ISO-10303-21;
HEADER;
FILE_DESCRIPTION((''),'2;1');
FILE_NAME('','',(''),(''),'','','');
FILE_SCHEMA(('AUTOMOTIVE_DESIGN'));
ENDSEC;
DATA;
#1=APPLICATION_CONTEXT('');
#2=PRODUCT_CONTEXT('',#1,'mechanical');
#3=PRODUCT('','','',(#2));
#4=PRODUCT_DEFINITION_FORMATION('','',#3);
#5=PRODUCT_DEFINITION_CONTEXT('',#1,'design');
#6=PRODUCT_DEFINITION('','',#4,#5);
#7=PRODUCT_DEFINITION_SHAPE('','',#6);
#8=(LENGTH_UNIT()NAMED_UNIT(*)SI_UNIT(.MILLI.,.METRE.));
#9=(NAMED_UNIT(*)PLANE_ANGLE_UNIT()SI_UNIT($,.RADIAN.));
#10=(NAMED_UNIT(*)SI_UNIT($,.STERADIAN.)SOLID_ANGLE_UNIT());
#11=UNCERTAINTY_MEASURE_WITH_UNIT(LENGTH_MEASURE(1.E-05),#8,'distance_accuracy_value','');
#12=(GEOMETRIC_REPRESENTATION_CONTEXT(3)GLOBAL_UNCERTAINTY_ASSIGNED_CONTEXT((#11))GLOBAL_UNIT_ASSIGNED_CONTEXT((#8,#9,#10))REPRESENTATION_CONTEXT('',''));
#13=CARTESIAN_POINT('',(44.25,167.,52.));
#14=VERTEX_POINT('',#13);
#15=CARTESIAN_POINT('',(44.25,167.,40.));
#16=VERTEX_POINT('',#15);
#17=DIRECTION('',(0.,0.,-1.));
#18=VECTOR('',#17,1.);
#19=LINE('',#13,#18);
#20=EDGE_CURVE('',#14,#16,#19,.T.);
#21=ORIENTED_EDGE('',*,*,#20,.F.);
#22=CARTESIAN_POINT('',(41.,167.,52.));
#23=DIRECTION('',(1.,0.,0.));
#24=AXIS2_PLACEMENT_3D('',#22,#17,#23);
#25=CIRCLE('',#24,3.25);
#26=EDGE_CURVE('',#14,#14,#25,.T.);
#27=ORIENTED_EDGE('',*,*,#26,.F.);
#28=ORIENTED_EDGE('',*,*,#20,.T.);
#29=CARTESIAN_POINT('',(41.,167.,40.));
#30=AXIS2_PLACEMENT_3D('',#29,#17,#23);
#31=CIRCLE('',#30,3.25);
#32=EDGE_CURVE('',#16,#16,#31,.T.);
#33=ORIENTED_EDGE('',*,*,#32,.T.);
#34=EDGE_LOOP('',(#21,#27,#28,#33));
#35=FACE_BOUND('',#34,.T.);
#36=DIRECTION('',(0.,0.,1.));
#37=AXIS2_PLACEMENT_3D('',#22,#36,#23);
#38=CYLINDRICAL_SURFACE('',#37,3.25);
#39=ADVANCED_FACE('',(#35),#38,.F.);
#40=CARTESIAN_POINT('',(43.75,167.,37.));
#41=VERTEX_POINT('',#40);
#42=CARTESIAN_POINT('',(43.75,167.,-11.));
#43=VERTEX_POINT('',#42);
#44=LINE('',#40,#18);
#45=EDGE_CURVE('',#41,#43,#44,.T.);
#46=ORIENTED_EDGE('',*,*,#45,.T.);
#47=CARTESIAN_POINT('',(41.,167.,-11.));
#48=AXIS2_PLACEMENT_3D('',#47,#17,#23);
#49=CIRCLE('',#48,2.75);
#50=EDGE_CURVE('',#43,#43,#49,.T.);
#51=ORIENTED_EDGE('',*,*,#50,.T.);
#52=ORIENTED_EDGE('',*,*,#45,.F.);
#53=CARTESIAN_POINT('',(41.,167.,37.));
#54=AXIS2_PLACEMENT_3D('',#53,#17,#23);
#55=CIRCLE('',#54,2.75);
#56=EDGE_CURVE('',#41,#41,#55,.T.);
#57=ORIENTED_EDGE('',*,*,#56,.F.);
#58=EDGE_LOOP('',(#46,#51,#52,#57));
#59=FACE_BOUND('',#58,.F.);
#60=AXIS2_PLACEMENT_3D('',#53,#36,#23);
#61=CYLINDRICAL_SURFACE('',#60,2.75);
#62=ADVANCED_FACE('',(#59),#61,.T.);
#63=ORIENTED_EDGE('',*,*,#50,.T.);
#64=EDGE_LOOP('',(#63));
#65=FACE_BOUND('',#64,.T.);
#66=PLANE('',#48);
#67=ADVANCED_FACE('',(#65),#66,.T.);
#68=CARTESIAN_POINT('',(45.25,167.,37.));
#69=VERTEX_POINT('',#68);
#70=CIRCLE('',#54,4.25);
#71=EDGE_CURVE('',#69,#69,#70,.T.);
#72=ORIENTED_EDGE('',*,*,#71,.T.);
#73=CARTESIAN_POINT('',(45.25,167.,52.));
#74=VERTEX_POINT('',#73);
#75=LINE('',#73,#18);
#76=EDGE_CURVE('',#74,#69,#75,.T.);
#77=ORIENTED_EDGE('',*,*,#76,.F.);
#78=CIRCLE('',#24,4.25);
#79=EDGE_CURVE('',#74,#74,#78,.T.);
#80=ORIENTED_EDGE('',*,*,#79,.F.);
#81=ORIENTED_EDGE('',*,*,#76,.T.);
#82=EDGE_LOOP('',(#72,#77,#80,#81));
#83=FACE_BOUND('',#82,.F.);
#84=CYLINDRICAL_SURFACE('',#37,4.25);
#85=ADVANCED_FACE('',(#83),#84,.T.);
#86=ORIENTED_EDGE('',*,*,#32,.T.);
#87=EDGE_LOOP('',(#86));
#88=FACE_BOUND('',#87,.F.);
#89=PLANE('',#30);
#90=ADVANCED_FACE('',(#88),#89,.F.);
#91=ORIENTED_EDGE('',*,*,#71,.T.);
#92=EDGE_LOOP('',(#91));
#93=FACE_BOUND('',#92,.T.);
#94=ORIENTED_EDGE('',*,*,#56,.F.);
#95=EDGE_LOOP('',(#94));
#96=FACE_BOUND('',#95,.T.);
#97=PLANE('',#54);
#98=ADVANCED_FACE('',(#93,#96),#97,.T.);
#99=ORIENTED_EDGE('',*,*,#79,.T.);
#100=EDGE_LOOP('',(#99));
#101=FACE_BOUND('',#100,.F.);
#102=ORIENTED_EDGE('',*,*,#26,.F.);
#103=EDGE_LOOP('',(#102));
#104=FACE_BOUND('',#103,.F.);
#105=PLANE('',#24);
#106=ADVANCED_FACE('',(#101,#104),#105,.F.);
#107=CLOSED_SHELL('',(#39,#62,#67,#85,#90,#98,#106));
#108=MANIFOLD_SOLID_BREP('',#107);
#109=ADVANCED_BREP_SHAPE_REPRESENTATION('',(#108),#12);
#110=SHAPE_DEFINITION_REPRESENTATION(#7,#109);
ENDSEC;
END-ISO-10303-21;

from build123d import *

# Parameters (mm, degrees)
CYLINDER016_R             = 3.25
CYLINDER016_DEPTH         = 12
CYLINDER015_R             = 4.25
CYLINDER015_DEPTH         = 15
CYLINDER017_R             = 2.75
CYLINDER017_DEPTH         = 48
FUSION004_PLACEMENT_ANGLE = 180


with BuildPart() as taladro001:
    # Cylinder016 → Cylinder016 (new body)
    with BuildSketch(Plane.XY):
        Circle(CYLINDER016_R)
    extrude(amount=CYLINDER016_DEPTH)


with BuildPart() as cilindro_exterior001:
    # Cylinder015 → Cylinder015 (new body)
    with BuildSketch(Plane.XY):
        Circle(CYLINDER015_R)
    extrude(amount=CYLINDER015_DEPTH)

    # Cut005: cut taladro001
    add(taladro001.part, mode=Mode.SUBTRACT)


with BuildPart() as fusion004:
    # Cylinder017 → Cylinder017 (new body)
    with BuildSketch(Plane.XY.offset(15)):
        Circle(CYLINDER017_R)
    extrude(amount=CYLINDER017_DEPTH)

    # Fusion004: union Cilindro exterior001
    add(cilindro_exterior001.part)


with BuildPart() as fusion004_1:
    # Fusion004 placement: moved
    add(fusion004.part.moved(Location((41, 167, 52))).rotate(Axis((41, 167, 52), (1, 0, 0)), FUSION004_PLACEMENT_ANGLE))


solid = fusion004_1.part
